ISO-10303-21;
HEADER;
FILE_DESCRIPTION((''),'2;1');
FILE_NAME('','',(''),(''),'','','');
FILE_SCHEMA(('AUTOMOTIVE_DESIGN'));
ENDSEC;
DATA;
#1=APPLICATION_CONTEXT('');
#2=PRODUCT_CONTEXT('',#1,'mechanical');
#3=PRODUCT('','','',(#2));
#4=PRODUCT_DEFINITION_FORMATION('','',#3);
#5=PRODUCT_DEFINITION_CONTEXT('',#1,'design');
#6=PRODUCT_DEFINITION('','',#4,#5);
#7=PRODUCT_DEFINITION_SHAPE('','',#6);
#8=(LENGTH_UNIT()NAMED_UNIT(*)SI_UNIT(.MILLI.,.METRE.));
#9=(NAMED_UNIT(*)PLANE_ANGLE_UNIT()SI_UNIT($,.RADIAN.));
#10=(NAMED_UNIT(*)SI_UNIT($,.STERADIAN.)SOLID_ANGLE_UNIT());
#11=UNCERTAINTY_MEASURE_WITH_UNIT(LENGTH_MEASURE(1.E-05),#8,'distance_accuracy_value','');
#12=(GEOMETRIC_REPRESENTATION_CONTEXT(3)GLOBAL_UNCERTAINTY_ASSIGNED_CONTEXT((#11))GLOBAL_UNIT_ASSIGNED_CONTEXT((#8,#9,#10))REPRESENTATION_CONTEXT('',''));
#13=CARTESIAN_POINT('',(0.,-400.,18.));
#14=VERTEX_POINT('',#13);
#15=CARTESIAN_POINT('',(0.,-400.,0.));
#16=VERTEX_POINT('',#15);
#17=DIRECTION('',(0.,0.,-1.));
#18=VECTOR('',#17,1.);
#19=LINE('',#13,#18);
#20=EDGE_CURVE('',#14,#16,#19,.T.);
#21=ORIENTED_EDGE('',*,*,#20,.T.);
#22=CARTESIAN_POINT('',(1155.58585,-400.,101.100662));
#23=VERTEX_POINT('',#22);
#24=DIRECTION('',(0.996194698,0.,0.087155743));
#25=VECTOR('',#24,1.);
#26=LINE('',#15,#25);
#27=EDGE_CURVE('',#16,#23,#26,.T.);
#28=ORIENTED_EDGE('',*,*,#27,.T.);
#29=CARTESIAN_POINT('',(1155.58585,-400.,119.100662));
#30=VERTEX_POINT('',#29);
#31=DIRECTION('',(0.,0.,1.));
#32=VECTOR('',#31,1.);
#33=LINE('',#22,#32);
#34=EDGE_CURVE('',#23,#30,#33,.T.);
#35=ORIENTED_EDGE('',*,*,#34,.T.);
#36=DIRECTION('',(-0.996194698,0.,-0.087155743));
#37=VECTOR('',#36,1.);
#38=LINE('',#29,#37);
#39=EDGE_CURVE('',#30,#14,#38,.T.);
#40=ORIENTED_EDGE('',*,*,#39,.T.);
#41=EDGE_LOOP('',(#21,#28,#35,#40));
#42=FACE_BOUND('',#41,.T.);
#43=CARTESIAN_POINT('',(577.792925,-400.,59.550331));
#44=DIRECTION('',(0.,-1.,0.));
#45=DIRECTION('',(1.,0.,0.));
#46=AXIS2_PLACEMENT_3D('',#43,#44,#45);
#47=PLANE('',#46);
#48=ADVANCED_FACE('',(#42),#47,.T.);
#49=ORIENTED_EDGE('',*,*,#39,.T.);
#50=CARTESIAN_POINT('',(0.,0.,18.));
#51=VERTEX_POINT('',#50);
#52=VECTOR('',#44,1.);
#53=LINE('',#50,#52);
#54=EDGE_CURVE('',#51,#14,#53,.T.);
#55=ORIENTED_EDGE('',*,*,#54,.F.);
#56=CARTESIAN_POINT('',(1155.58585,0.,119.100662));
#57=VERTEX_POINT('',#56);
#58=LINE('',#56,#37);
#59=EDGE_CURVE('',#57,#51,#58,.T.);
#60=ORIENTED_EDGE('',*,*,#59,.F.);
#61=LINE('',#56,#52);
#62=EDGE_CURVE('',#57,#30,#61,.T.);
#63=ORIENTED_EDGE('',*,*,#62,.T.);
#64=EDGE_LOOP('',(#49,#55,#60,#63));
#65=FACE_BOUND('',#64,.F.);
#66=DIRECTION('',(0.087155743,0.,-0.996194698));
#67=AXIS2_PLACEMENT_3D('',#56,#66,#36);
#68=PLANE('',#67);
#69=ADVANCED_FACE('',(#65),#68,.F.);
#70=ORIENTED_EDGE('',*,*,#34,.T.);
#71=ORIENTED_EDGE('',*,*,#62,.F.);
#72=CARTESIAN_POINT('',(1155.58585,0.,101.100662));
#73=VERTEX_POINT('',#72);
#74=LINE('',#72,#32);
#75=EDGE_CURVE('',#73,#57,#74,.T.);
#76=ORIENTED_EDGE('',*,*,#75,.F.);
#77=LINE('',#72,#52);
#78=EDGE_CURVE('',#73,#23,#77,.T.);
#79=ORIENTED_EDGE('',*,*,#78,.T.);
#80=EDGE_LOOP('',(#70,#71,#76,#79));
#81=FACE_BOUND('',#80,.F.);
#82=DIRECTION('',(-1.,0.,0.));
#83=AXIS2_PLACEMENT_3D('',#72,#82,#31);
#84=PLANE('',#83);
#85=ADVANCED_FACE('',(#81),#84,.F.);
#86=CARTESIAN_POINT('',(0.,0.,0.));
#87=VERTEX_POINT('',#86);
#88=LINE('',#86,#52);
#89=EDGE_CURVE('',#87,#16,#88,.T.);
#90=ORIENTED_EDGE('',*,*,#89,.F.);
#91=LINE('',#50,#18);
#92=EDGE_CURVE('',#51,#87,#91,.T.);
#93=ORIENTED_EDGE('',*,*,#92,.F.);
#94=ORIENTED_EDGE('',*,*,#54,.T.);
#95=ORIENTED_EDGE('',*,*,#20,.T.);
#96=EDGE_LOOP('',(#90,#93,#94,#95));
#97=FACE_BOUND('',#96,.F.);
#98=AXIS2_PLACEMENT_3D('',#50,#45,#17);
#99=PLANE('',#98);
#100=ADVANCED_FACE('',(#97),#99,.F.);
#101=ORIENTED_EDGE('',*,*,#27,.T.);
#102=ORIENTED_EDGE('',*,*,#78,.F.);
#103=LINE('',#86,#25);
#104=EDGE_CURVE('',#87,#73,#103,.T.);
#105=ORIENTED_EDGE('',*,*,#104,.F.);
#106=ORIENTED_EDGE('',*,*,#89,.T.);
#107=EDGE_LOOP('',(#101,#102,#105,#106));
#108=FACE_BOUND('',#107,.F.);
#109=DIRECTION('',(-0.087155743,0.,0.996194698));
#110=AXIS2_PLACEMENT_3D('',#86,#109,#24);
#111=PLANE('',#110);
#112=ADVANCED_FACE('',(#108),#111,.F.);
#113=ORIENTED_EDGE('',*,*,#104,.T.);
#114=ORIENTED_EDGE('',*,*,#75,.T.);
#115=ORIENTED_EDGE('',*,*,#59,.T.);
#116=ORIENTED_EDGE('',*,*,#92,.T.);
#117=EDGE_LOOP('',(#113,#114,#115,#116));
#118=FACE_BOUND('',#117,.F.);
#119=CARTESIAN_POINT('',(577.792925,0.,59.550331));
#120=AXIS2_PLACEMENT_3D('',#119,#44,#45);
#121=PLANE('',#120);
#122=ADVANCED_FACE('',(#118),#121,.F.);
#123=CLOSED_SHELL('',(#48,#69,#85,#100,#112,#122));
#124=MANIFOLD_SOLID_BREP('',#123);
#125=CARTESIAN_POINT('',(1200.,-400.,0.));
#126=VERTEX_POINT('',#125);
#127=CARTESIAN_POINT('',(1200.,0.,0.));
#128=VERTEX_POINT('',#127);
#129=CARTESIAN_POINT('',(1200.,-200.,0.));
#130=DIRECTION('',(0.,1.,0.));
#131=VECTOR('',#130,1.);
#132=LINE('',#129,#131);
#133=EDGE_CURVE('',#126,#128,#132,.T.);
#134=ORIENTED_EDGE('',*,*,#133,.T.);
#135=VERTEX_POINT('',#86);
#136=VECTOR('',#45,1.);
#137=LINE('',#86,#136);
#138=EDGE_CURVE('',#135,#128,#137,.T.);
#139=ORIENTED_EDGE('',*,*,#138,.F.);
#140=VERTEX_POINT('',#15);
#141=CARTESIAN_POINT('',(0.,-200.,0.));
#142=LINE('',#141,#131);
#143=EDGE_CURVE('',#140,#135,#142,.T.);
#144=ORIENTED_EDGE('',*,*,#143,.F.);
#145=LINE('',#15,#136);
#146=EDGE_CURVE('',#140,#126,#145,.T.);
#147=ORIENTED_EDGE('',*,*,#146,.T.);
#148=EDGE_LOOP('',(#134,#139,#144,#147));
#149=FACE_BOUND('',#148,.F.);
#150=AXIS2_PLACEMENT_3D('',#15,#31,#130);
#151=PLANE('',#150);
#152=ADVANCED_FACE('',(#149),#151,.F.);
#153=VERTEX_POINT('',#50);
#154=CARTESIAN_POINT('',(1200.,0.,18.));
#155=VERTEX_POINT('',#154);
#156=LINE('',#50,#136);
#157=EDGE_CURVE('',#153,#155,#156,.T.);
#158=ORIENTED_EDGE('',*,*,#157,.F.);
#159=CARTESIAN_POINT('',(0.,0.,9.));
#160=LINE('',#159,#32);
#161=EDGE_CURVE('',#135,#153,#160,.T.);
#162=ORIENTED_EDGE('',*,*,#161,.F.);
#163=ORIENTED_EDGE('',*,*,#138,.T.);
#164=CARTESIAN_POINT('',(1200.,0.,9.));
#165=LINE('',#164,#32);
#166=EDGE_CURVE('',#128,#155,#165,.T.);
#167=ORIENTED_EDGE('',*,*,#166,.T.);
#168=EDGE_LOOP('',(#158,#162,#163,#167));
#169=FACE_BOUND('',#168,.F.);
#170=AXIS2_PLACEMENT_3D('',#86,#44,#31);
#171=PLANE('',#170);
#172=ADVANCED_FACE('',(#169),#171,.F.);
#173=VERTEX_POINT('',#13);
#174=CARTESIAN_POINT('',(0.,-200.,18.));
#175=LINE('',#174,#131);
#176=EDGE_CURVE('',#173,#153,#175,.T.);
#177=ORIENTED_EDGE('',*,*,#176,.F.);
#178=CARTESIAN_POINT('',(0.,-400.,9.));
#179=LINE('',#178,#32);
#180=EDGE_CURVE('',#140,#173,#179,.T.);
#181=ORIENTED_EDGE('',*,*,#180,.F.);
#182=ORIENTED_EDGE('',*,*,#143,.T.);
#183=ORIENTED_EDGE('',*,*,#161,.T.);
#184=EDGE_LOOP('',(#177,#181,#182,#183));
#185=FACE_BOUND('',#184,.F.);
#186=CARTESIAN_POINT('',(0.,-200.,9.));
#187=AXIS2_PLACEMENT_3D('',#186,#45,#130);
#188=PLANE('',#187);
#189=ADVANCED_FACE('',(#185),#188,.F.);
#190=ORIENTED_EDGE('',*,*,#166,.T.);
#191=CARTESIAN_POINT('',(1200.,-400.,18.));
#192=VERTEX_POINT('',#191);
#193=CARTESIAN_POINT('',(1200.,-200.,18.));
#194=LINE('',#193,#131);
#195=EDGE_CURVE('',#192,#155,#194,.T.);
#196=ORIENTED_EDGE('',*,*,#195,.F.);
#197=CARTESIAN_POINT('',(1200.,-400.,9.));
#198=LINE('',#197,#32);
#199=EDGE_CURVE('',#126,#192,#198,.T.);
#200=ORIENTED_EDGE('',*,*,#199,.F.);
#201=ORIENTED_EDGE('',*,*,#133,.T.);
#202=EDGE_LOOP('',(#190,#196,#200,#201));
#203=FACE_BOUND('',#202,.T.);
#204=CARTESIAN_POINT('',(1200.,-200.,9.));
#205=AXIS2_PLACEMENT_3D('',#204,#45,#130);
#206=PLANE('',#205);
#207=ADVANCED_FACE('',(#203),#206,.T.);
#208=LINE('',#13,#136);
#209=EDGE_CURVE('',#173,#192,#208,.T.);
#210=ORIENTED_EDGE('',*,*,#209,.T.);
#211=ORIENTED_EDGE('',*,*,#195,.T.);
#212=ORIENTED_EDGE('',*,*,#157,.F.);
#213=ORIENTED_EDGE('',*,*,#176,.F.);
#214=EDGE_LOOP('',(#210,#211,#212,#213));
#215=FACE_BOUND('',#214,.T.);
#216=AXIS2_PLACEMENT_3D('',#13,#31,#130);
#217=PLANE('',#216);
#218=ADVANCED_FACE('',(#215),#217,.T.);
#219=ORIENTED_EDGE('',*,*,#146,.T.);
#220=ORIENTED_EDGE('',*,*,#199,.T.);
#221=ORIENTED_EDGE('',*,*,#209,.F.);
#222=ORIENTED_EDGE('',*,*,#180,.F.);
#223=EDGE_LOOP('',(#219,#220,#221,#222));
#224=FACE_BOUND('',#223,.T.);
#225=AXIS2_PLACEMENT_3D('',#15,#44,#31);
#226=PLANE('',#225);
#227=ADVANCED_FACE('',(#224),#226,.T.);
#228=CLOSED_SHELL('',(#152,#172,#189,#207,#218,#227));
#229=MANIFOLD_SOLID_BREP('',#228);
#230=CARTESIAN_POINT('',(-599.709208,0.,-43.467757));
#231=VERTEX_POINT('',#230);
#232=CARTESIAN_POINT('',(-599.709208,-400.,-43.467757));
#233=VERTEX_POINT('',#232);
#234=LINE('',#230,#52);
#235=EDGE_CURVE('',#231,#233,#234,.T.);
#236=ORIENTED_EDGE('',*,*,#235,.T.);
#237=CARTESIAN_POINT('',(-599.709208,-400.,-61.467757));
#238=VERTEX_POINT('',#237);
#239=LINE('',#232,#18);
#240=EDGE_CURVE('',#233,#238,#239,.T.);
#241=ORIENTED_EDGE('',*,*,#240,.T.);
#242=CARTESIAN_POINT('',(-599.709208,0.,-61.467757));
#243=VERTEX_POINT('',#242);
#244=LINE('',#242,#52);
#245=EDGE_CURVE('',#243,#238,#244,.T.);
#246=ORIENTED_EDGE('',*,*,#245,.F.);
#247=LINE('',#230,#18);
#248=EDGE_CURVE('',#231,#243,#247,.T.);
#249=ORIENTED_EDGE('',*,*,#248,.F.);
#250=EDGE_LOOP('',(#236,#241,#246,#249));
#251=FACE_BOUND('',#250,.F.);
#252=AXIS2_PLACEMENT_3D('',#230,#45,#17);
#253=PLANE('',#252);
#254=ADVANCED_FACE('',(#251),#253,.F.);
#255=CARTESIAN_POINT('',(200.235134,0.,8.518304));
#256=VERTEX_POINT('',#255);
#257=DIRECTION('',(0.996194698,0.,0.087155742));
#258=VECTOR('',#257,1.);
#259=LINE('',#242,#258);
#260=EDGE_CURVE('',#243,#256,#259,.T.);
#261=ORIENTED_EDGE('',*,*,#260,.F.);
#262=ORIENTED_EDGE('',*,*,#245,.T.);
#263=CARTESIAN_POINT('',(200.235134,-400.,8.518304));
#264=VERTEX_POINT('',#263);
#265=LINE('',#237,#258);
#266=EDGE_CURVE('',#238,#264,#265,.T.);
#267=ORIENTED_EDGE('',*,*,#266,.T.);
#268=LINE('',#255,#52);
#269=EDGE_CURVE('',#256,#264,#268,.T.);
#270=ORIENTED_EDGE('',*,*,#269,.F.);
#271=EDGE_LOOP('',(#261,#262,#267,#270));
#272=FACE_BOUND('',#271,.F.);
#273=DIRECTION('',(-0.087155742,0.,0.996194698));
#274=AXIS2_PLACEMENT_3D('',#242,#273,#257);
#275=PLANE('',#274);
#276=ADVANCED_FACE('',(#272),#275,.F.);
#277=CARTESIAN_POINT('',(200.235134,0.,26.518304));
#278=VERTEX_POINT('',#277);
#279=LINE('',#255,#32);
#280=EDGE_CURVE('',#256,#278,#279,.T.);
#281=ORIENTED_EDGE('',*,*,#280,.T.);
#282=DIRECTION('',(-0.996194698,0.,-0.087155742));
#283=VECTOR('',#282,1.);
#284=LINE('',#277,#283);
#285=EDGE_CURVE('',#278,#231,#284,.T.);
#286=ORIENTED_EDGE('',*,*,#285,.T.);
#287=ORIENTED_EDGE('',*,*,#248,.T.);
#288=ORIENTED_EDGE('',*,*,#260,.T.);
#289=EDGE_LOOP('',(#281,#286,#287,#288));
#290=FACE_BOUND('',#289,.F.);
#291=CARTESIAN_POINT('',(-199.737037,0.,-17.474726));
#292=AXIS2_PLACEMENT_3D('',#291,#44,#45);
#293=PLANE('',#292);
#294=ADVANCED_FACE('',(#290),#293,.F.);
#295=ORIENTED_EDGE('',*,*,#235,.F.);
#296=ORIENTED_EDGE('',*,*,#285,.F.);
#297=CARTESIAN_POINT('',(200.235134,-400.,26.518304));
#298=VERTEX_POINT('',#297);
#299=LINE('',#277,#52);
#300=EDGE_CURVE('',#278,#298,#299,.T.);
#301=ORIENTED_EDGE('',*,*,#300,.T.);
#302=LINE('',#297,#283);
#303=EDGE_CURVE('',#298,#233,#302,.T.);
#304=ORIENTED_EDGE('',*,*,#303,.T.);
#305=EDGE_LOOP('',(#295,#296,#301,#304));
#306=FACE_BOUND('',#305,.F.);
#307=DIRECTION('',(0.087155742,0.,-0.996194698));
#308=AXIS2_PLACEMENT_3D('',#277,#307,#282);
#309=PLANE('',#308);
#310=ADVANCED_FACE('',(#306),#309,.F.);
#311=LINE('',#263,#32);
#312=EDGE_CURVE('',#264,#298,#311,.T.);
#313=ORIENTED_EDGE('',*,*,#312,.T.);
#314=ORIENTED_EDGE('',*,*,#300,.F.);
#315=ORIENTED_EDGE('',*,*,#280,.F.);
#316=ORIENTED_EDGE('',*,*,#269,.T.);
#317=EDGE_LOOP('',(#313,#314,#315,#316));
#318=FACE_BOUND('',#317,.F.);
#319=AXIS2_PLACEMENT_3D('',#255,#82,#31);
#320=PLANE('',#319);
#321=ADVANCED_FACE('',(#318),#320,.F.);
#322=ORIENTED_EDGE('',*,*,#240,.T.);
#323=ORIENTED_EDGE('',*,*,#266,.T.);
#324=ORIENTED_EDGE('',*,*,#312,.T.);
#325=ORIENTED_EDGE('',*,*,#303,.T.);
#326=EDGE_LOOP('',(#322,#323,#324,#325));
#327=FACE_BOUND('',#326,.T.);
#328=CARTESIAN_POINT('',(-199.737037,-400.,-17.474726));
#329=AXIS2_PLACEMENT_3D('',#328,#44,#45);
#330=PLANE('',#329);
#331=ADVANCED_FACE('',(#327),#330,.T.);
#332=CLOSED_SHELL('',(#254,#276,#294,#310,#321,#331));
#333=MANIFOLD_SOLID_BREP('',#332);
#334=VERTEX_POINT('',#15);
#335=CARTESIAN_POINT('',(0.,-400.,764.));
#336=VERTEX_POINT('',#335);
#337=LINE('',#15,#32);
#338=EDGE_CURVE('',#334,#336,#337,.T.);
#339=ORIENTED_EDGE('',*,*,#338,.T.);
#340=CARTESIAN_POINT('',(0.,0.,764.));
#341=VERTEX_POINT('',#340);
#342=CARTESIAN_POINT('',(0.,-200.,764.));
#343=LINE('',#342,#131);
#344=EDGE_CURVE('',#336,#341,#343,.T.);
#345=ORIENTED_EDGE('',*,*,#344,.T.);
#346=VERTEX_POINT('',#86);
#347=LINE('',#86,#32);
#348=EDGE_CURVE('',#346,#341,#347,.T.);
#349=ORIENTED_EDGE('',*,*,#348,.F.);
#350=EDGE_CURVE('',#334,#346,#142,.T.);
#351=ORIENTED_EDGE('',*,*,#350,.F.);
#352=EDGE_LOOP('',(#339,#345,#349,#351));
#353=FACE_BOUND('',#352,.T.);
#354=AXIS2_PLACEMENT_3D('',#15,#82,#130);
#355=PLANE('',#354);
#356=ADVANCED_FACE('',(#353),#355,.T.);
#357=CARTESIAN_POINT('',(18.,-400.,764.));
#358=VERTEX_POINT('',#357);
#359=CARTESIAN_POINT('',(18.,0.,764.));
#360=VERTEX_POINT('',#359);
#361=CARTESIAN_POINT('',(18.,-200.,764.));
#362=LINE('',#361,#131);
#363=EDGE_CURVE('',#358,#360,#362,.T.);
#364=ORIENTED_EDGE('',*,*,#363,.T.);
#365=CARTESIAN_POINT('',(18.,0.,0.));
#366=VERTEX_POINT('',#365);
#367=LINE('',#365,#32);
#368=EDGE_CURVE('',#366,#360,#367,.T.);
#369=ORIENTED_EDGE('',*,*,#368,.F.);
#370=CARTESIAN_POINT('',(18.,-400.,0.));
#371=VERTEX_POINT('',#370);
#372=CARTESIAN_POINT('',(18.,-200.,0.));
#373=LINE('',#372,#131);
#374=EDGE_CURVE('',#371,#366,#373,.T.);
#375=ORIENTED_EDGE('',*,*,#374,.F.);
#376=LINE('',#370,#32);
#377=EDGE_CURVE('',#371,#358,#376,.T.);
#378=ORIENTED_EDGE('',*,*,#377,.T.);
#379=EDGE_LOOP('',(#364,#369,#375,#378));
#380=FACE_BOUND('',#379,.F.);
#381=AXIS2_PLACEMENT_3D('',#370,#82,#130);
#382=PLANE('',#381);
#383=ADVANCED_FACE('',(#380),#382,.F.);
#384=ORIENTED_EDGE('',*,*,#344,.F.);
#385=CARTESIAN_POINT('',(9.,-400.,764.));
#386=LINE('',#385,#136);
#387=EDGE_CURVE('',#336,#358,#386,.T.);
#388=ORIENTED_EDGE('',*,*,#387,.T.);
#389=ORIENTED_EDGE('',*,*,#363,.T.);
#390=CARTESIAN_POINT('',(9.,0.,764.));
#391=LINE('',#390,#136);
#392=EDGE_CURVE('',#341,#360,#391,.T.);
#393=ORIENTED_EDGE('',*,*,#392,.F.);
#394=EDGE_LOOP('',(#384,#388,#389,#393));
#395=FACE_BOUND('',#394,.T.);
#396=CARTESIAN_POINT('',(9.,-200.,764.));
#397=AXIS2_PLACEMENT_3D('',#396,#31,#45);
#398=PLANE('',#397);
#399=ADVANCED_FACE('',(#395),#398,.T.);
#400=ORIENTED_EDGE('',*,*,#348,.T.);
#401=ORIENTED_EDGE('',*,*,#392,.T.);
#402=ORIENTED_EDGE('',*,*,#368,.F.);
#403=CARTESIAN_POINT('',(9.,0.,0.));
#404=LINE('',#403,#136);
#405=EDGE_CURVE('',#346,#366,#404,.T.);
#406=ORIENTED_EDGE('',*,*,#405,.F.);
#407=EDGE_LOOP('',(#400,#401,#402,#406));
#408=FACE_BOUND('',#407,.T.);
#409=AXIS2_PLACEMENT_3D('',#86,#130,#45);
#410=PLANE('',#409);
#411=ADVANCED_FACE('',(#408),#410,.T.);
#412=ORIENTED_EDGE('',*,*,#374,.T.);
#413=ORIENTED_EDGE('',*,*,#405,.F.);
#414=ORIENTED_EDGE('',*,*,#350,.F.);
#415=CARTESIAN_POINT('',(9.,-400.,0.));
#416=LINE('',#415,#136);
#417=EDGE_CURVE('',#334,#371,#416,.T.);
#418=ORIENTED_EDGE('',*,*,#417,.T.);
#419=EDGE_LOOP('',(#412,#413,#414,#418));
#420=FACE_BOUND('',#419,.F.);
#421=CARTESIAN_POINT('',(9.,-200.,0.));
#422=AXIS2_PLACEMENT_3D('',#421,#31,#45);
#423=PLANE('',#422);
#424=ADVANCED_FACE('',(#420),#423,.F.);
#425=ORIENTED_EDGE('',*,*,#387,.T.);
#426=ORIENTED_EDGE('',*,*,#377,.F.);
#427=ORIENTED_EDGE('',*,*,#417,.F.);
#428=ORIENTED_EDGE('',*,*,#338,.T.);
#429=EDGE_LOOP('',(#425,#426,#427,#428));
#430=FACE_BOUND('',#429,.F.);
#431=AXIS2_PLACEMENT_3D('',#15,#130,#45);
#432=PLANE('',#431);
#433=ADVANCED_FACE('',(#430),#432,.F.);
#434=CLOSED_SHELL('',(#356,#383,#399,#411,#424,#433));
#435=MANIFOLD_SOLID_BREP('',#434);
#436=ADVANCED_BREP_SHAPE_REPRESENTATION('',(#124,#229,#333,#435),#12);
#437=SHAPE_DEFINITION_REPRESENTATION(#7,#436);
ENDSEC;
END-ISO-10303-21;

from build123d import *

# Parameters (mm, degrees)
F0_W     = 18
F0_H     = 400
F1_DEPTH = 764
F3_DEPTH = 400
F4_W     = 400
F4_H     = 18
F5_DEPTH = 1200
F7_DEPTH = 400


with BuildPart() as f1:
    # F0 (on Top) → F1 (new body)
    with BuildSketch(Plane.XY):
        with Locations((9, -200)):
            Rectangle(F0_W, F0_H)
    extrude(amount=F1_DEPTH)


with BuildPart() as f3:
    # F2 (on Front) → F3 (new body)
    with BuildSketch(Plane.XZ):
        Polygon((0, 18), (0, 0), (1155.58585, 101.100662), (1155.58585, 119.100662), align=None)
    extrude(amount=F3_DEPTH)


with BuildPart() as f5:
    # F4 (on Right) → F5 (new body)
    with BuildSketch(Plane.YZ):
        with Locations((-200, 9)):
            Rectangle(F4_W, F4_H)
    extrude(amount=F5_DEPTH)


with BuildPart() as f7:
    # F6 (on Front) → F7 (new body)
    with BuildSketch(Plane.XZ):
        Polygon((-599.709208, -43.467757), (-599.709208, -61.467757), (200.235134, 8.518304), (200.235134, 26.518304), align=None)
    extrude(amount=F7_DEPTH)


solid = Compound([f1.part, f3.part, f5.part, f7.part])
